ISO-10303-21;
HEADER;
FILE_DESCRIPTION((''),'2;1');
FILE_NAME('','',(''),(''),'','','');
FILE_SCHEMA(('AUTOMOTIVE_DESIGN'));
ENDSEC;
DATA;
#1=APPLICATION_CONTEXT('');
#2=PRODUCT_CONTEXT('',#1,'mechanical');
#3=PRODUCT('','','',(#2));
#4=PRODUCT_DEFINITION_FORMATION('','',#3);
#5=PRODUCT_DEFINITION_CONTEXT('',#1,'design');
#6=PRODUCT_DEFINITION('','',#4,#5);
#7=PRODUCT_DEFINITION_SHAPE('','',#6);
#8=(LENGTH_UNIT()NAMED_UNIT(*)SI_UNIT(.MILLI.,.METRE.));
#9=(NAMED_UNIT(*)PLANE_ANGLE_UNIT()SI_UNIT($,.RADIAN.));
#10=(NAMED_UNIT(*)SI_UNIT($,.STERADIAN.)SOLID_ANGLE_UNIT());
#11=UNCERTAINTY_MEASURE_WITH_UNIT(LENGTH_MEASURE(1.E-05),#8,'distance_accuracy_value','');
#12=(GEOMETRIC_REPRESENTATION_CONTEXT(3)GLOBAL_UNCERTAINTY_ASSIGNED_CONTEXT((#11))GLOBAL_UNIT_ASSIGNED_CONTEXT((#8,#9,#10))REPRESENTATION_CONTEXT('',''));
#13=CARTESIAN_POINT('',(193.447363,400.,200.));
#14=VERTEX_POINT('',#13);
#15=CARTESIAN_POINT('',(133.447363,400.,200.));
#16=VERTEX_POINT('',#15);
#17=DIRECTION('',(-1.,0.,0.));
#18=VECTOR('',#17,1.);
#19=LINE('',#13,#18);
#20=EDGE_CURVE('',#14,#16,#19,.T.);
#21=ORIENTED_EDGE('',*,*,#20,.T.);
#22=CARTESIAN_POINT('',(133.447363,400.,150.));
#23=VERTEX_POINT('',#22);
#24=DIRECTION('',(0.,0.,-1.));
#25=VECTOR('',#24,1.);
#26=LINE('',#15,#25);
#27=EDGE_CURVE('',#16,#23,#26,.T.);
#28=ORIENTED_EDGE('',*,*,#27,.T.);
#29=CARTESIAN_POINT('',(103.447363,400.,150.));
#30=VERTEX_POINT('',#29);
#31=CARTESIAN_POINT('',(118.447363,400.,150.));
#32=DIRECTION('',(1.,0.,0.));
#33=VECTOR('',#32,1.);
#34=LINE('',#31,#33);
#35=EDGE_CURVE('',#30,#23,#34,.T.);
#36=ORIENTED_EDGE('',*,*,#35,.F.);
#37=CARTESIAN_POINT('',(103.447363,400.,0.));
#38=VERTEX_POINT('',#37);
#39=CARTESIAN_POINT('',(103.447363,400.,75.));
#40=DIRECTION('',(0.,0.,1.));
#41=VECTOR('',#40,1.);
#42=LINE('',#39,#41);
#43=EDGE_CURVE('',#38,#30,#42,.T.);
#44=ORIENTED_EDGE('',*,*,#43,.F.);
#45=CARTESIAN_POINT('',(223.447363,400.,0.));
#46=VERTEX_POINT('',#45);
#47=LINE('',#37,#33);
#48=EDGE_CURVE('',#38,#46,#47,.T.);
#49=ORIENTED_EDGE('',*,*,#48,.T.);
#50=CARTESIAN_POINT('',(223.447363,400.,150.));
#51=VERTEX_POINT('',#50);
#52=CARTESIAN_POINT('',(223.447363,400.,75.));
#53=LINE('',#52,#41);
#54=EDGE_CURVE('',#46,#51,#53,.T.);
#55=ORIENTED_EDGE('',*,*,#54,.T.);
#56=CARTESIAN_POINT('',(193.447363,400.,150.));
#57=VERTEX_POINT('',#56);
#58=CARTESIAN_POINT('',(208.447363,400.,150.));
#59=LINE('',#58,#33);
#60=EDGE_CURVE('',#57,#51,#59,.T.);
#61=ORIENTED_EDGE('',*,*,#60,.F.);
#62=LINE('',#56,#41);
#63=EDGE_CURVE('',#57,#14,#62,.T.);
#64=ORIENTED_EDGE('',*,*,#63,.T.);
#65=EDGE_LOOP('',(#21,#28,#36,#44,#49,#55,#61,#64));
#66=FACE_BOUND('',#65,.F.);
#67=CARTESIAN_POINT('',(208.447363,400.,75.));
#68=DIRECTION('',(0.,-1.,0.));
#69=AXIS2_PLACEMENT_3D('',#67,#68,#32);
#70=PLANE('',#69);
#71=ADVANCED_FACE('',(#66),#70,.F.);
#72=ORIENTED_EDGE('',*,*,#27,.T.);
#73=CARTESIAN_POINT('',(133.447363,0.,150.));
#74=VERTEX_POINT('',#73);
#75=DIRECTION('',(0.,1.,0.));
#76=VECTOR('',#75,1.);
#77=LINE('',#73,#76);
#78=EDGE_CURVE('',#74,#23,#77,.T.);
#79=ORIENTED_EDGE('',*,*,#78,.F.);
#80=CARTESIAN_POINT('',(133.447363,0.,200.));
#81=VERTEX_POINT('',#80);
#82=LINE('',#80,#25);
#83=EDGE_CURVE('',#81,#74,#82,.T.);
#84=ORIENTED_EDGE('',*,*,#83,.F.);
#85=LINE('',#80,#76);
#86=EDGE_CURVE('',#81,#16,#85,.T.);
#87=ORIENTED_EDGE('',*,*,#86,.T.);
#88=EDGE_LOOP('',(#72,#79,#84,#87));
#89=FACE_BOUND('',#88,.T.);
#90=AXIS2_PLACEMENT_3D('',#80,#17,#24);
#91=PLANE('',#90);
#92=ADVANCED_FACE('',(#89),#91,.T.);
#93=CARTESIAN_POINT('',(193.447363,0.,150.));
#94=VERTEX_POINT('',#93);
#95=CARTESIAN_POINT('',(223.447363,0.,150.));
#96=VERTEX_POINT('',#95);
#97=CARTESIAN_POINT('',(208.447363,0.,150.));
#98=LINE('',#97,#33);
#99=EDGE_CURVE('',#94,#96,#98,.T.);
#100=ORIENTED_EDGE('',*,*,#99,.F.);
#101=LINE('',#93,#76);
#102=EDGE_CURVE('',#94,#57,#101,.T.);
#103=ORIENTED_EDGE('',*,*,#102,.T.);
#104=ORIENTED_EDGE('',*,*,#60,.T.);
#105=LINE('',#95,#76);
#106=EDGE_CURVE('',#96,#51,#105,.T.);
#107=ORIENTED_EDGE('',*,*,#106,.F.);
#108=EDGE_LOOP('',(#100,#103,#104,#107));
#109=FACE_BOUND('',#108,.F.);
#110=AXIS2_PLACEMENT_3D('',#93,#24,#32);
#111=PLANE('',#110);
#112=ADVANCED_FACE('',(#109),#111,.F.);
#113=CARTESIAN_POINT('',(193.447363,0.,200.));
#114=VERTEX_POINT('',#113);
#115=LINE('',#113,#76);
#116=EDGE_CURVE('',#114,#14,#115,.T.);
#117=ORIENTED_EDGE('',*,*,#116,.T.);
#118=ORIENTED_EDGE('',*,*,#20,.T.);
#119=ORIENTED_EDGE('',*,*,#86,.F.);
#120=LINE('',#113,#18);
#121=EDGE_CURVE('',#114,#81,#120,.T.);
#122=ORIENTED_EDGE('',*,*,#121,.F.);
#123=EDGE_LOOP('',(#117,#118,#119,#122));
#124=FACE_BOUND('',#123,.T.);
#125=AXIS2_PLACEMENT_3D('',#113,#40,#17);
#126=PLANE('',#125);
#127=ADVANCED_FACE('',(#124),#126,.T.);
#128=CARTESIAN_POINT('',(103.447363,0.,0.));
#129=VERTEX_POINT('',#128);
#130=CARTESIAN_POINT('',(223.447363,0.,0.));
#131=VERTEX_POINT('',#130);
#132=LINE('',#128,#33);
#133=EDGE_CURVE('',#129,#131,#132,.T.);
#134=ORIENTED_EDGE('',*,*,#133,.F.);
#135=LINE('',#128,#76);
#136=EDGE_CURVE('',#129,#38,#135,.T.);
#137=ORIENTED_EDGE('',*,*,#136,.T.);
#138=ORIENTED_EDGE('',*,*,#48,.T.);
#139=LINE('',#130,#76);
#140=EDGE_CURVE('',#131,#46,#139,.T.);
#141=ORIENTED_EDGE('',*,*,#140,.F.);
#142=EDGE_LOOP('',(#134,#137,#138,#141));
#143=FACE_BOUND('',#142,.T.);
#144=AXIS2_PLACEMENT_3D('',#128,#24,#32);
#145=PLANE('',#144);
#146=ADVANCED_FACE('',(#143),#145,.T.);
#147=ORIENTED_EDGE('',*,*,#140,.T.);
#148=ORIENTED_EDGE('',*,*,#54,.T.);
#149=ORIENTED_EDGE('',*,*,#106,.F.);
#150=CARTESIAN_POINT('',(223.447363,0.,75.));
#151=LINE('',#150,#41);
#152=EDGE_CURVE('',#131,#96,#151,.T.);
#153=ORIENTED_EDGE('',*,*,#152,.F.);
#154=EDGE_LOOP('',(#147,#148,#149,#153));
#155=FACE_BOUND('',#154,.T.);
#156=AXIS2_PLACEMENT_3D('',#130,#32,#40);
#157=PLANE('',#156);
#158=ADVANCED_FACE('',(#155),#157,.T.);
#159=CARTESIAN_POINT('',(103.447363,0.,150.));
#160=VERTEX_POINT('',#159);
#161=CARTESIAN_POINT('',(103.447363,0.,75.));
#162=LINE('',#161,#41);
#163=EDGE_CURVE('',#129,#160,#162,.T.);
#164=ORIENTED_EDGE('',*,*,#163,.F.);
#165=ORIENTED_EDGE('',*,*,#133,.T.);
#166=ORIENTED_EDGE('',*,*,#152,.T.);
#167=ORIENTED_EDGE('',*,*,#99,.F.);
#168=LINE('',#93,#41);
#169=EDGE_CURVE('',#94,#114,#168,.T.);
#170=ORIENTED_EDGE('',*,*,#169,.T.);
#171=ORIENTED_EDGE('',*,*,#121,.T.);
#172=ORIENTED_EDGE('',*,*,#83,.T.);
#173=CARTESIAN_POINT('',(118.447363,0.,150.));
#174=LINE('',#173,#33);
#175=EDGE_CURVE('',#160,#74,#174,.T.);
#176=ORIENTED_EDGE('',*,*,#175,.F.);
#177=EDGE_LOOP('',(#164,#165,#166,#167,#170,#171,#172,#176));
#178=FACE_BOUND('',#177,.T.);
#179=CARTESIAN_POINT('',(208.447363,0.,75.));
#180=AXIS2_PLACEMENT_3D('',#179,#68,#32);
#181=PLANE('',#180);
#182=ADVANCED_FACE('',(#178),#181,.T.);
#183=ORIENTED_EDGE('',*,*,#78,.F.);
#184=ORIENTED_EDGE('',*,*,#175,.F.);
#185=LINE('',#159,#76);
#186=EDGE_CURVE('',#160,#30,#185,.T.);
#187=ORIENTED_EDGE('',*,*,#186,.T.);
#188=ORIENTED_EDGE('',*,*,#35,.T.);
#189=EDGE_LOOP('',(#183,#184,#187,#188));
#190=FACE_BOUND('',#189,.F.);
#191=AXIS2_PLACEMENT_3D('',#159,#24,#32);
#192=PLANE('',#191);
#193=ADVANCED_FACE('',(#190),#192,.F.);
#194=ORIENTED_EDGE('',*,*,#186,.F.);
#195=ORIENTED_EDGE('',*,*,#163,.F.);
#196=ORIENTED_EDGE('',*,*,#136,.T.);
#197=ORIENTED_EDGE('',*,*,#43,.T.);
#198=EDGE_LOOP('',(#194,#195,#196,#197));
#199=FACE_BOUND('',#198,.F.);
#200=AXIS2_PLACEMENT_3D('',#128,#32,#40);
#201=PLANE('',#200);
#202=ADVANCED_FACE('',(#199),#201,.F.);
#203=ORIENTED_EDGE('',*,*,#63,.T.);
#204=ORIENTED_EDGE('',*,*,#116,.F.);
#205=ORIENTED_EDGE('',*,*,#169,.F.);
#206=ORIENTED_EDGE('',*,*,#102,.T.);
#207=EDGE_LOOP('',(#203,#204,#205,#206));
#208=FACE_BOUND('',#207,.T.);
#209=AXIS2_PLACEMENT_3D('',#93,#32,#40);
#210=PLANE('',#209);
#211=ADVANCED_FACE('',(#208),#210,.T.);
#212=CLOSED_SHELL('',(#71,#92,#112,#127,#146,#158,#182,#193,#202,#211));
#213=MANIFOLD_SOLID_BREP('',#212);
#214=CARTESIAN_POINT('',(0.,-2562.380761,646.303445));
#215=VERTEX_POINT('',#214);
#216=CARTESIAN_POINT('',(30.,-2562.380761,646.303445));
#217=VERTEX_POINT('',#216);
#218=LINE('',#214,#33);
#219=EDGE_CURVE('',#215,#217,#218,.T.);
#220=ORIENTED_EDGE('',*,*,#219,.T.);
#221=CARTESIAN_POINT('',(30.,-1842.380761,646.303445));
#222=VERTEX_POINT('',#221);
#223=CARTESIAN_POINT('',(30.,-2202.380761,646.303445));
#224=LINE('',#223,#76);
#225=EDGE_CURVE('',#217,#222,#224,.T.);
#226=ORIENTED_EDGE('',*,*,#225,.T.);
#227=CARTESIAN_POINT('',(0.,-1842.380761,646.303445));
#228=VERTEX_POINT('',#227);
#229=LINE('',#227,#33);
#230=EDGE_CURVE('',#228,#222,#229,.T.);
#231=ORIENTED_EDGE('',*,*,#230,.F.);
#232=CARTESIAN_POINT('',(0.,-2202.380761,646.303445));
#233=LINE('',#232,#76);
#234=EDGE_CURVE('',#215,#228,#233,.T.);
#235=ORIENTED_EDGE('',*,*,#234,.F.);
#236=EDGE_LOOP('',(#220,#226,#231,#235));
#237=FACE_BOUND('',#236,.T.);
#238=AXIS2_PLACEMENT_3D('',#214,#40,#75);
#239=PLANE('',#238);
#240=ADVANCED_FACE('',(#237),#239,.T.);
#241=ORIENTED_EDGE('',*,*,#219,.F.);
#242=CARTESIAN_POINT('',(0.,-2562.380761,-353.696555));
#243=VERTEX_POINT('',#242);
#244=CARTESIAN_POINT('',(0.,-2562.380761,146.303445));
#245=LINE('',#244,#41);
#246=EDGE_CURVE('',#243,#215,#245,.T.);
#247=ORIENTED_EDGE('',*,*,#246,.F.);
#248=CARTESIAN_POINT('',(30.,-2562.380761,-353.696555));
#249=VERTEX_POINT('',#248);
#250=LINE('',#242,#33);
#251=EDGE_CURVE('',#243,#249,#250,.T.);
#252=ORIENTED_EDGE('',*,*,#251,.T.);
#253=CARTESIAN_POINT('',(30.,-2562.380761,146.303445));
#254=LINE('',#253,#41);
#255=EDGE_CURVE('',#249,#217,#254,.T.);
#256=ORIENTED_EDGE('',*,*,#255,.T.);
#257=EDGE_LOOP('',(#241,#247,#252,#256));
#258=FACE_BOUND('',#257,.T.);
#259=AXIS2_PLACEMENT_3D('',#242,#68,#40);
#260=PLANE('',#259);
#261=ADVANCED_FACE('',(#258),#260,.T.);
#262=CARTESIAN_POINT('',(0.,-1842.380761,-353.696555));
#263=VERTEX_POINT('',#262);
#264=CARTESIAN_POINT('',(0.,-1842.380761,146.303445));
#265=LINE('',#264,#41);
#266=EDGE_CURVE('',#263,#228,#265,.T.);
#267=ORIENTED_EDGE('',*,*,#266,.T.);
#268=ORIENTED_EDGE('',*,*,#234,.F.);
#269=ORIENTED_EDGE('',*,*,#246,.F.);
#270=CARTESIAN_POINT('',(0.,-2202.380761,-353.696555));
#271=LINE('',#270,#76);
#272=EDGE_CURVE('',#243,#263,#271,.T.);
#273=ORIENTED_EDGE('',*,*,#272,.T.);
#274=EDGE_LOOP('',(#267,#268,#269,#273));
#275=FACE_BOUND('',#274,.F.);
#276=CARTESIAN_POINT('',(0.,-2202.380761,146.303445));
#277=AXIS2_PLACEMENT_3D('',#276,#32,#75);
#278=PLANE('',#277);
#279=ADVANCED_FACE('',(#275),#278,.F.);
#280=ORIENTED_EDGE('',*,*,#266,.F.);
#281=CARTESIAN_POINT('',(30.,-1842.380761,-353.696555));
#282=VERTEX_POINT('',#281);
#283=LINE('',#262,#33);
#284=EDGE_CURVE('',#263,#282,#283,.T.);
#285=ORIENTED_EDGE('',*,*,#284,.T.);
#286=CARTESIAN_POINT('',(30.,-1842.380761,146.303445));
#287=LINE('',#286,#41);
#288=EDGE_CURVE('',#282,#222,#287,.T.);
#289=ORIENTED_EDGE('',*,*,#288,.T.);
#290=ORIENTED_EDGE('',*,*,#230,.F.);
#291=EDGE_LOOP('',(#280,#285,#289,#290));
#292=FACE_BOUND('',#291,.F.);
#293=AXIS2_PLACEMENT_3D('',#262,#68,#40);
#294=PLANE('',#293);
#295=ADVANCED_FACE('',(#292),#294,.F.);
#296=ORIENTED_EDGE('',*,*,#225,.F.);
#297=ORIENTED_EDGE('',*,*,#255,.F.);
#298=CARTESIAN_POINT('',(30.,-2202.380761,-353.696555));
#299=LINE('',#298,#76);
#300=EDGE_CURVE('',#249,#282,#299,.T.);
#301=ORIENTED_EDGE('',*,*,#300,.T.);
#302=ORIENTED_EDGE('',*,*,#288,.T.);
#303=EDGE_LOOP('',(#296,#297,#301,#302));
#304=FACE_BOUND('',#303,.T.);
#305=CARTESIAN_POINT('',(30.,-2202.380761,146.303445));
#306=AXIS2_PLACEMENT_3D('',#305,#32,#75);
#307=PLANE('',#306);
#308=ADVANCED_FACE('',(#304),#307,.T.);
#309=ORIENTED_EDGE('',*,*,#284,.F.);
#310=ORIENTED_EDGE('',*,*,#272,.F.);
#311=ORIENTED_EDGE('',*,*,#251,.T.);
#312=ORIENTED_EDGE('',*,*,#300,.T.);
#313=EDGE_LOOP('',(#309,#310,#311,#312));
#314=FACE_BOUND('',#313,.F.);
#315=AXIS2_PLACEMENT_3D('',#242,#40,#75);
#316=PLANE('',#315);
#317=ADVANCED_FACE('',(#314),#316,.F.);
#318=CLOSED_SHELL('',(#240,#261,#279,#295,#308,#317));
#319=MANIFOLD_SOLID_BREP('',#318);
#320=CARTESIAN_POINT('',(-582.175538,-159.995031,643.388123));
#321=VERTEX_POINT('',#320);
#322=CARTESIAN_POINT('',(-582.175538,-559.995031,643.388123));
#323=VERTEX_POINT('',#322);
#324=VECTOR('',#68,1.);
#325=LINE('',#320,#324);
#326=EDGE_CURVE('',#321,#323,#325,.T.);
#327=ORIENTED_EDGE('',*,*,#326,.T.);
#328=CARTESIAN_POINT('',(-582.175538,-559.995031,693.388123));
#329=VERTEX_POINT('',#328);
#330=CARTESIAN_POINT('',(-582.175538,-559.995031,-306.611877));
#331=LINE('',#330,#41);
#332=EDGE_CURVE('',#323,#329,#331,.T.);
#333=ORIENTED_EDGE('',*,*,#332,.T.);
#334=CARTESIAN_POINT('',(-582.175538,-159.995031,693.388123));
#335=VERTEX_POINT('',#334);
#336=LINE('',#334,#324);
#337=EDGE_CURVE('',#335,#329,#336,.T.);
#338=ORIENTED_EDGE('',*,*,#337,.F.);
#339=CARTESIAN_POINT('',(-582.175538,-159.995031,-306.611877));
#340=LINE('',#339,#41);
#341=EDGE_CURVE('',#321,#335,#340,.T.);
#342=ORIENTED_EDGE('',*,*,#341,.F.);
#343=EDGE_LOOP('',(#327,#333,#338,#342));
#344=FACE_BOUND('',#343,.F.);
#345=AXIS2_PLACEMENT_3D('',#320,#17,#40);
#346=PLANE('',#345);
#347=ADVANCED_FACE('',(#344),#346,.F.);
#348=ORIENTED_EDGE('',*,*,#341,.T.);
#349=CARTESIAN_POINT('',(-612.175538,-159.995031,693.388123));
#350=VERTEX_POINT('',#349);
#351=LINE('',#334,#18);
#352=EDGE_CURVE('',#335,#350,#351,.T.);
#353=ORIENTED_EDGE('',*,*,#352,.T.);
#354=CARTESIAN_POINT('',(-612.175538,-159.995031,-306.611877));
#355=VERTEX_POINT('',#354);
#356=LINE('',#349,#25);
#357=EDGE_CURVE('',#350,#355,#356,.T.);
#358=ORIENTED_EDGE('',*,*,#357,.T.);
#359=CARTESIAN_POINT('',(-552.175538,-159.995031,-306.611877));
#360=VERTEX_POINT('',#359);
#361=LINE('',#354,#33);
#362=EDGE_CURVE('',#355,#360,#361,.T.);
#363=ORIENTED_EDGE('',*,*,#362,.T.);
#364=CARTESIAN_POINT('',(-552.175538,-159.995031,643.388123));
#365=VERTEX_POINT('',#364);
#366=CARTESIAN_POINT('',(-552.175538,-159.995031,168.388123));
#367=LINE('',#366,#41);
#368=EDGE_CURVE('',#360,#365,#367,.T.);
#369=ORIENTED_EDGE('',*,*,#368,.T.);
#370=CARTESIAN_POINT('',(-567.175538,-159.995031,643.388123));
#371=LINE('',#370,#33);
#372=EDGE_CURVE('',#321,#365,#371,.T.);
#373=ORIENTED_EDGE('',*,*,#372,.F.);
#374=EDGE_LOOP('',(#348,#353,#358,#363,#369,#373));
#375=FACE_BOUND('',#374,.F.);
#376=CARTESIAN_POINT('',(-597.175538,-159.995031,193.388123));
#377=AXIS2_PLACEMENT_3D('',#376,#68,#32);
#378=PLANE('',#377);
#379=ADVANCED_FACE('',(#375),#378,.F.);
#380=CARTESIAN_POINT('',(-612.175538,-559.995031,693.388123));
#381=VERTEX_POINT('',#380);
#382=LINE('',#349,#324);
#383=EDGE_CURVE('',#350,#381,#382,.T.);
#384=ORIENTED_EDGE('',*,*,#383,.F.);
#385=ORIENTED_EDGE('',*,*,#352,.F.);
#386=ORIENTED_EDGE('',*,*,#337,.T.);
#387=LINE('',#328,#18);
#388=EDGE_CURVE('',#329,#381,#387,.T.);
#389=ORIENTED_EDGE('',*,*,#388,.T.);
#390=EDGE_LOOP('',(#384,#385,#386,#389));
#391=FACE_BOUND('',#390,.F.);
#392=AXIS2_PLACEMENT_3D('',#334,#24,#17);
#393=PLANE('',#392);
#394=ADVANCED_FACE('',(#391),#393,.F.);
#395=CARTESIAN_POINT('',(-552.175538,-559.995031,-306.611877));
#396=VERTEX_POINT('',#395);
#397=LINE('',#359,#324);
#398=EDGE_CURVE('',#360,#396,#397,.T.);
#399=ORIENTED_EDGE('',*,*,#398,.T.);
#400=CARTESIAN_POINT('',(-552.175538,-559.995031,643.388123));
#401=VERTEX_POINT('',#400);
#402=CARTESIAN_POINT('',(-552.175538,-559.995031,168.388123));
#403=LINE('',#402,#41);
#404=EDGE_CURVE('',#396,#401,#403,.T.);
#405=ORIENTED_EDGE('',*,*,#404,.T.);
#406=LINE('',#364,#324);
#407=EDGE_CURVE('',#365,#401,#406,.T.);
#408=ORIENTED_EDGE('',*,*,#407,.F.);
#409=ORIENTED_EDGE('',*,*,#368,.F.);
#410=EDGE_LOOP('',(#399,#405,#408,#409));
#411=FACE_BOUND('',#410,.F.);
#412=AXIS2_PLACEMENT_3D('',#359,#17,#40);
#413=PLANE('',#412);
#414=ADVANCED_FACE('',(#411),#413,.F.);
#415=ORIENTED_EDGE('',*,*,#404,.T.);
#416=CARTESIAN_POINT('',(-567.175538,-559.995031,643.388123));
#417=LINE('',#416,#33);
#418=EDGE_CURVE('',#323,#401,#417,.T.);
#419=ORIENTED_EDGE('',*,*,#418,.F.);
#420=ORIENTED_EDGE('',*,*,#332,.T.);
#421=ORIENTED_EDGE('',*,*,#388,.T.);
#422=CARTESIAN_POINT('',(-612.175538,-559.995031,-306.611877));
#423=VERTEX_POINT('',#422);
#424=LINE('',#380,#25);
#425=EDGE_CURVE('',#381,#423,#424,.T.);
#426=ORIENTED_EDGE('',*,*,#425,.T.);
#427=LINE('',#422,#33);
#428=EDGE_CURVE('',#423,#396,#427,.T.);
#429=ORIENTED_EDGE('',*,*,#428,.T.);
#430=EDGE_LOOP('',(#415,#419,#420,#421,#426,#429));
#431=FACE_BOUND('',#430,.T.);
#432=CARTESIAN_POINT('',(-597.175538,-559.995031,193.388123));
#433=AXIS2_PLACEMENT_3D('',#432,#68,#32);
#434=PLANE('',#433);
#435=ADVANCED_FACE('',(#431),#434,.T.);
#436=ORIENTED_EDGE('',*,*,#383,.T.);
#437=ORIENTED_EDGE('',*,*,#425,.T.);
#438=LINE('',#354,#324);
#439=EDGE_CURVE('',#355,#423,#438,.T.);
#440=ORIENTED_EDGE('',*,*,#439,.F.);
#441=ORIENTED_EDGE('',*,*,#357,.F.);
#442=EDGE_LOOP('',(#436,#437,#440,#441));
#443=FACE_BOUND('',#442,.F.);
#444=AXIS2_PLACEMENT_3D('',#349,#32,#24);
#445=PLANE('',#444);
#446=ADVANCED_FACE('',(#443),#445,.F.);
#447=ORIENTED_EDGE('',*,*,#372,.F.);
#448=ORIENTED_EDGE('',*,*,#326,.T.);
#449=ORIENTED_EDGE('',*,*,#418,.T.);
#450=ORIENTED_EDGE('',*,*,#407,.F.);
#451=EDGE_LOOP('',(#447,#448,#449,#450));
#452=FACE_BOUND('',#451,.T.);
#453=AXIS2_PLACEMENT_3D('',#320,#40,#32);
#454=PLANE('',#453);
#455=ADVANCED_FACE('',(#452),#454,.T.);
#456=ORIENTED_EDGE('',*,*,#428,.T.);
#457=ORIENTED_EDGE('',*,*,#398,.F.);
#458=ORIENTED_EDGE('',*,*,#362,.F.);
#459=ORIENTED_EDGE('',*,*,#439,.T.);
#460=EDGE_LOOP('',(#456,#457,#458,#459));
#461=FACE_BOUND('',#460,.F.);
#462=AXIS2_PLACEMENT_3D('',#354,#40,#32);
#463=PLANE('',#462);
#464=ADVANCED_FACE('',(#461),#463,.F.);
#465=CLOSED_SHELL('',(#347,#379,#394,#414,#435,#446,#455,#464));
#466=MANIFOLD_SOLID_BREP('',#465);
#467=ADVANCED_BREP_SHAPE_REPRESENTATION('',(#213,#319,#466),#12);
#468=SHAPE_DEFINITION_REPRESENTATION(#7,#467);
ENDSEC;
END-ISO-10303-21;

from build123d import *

# Parameters (mm, degrees)
F0_W     = 400
F0_H     = 1000
F1_DEPTH = 50
F2_W     = 30
F2_H     = 950
F3_DEPTH = 400
F5_W     = 30
F5_H     = 150
F6_DEPTH = 400
F7_W     = 720
F7_H     = 1000
F8_DEPTH = 30


with BuildPart() as f1:
    # F0 (on Right) → F1 (new body)
    with BuildSketch(Plane.YZ):
        with Locations((40.004969, 177.131296)):
            Rectangle(F0_W, F0_H)
    extrude(amount=F1_DEPTH)


with BuildPart() as f3:
    # F2 (on face) → F3 (new body)
    with BuildSketch(Plane.XZ.offset(159.995031)):
        Polygon((-582.175538, 693.388123), (-612.175538, 693.388123), (-612.175538, -306.611877), (-582.175538, -306.611877), (-582.175538, 643.388123), align=None)
        with Locations((-567.175538, 168.388123)):
            Rectangle(F2_W, F2_H)
    extrude(amount=F3_DEPTH)


with BuildPart() as f6:
    # F5 (on Front) → F6 (new body)
    with BuildSketch(Plane.XZ):
        with Locations((208.447363, 75)):
            Rectangle(F5_W, F5_H)
        Polygon((193.447363, 200), (133.447363, 200), (133.447363, 150), (133.447363, 0), (193.447363, 0), (193.447363, 150), align=None)
        with Locations((118.447363, 75)):
            Rectangle(F5_W, F5_H)
    extrude(amount=-F6_DEPTH)


with BuildPart() as f8:
    # F7 (on face) → F8 (new body)
    with BuildSketch(Plane.YZ):
        with Locations((-2202.380761, 146.303445)):
            Rectangle(F7_W, F7_H)
    extrude(amount=F8_DEPTH)


solid = Compound([f3.part, f6.part, f8.part])
